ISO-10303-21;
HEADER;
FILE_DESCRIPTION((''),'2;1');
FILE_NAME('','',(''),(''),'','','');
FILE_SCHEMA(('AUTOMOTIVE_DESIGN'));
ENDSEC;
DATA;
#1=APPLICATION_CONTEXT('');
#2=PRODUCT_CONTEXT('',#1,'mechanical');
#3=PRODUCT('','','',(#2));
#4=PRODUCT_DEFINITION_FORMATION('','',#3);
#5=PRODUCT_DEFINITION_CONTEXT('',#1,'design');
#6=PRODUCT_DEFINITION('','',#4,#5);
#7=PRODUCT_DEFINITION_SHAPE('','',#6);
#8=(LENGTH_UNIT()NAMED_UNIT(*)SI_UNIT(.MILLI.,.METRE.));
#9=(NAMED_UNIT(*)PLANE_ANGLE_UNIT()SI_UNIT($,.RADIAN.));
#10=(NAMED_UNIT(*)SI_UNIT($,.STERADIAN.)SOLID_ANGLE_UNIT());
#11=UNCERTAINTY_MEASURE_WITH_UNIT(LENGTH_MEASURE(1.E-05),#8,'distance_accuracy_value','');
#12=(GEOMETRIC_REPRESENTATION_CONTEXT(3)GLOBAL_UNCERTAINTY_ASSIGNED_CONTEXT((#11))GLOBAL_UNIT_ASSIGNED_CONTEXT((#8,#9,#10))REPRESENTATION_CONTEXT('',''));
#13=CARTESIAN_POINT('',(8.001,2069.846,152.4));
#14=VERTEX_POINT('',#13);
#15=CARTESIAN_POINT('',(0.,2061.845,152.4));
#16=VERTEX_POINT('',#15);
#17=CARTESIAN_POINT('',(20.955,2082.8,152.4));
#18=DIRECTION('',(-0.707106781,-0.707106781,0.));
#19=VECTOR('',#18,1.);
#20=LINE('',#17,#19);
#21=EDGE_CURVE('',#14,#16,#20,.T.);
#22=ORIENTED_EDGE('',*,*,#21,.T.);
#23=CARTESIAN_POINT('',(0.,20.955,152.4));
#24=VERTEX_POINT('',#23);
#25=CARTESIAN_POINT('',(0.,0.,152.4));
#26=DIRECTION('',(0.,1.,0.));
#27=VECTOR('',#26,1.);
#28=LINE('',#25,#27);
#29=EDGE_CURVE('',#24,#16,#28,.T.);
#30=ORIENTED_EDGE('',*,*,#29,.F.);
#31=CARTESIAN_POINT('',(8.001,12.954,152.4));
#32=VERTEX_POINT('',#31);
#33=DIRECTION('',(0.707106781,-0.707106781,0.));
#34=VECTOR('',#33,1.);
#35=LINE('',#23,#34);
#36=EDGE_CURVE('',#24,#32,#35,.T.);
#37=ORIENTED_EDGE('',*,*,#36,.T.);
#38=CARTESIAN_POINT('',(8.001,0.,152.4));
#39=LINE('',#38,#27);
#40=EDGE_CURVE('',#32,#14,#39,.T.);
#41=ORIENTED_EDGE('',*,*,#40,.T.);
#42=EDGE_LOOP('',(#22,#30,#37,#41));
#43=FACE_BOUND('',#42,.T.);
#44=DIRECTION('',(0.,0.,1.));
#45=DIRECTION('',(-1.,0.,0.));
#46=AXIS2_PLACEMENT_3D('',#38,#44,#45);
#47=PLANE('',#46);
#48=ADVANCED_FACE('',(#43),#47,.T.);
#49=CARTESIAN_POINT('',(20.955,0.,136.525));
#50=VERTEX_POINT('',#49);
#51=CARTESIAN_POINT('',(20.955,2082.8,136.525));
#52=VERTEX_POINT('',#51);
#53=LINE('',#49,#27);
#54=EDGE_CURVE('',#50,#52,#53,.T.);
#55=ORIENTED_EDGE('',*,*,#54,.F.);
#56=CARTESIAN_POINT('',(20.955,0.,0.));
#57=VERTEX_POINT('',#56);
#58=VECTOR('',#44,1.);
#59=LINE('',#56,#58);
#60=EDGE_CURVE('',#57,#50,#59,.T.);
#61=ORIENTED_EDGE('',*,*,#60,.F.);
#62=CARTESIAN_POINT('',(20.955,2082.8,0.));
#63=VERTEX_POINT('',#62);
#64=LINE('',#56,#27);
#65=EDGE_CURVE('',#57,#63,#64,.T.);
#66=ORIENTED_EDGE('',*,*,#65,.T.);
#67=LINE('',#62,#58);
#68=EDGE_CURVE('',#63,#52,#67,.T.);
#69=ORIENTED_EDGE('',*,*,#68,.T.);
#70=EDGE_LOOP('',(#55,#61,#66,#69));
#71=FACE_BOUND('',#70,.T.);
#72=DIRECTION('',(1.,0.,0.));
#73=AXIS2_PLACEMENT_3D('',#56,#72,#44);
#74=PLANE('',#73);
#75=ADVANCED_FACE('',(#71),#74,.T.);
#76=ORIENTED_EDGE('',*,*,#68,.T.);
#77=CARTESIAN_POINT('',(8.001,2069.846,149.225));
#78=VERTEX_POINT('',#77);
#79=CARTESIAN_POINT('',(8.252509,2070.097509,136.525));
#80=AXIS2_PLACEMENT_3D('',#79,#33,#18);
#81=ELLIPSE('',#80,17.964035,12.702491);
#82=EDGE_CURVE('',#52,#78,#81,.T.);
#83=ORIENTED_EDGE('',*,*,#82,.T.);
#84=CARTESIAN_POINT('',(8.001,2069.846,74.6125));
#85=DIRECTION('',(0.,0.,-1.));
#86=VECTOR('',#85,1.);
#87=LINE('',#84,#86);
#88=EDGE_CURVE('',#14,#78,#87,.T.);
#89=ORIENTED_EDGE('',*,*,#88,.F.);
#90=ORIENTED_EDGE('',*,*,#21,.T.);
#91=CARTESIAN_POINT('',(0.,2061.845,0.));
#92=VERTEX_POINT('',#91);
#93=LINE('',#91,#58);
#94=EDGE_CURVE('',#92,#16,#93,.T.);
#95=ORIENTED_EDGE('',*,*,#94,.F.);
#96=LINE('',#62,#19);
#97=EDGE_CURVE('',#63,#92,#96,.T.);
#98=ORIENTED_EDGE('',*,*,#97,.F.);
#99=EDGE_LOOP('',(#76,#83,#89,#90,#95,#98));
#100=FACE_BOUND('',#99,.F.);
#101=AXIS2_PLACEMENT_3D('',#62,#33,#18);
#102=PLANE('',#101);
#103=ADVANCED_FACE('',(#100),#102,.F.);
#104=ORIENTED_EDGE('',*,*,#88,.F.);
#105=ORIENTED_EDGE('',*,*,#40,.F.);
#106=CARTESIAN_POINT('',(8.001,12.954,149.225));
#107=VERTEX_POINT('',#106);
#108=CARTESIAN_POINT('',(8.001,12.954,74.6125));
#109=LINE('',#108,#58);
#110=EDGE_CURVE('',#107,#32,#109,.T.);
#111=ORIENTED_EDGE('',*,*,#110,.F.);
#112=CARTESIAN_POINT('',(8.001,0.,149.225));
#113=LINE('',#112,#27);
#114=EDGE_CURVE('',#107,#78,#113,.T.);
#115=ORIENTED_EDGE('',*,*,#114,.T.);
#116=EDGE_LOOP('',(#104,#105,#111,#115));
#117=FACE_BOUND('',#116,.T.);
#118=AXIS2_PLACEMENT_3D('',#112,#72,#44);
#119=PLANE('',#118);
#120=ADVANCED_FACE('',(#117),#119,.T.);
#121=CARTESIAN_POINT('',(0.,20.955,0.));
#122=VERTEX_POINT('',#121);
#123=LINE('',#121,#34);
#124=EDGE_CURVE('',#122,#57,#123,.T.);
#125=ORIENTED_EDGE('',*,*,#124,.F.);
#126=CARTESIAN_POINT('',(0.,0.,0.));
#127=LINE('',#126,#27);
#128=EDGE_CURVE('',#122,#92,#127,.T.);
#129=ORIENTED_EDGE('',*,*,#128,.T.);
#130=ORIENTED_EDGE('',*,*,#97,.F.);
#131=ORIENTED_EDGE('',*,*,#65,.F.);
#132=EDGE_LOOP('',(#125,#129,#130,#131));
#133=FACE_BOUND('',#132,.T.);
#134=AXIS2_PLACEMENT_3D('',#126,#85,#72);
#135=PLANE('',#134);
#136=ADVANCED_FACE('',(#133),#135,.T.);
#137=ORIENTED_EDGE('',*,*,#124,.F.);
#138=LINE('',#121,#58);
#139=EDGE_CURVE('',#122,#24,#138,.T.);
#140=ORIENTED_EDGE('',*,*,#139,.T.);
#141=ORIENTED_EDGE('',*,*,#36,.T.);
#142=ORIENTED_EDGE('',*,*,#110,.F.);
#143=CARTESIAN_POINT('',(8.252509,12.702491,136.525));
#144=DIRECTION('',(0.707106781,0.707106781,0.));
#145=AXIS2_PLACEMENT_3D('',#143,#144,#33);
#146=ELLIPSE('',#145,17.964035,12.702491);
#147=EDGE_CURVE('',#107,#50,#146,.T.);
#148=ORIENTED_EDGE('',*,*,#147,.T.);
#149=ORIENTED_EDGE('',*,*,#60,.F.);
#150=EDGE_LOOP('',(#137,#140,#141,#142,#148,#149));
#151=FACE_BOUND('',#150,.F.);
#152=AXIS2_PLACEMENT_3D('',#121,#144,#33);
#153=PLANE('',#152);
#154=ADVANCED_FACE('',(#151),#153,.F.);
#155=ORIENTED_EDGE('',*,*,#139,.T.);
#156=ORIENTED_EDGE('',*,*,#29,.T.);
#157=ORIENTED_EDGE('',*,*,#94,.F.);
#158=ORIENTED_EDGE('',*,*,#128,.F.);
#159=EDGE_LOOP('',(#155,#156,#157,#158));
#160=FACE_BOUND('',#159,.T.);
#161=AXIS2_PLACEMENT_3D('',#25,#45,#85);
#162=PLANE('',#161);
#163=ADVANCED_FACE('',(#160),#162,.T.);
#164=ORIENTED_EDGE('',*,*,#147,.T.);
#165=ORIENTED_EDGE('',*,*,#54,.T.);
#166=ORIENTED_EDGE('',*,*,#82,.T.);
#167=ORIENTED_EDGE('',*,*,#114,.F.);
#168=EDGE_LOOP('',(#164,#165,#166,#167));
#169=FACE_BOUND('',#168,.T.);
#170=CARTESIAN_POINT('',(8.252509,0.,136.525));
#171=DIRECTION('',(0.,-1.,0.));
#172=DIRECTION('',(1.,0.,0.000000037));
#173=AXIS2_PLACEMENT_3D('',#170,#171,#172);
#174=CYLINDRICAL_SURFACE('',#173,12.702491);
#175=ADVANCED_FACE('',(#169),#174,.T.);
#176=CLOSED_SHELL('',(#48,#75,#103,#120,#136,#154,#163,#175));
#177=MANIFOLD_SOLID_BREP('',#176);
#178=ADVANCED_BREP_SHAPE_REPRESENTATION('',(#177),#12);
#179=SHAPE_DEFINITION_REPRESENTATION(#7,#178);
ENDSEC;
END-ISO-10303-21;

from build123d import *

# Parameters (mm, degrees)
F1_DEPTH = 2082.8
F3_DEPTH = 152.4
F5_DEPTH = 152.4


with BuildPart() as f1:
    # F0 (on Front) → F1 (new body)
    with BuildSketch(Plane.XZ):
        with BuildLine():
            Line((0, 152.4), (0, 0))
            Line((0, 0), (20.955, 0))
            Line((20.955, 0), (20.955, 136.525))
            ThreePointArc((20.955, 136.525), (17.14516, 145.595503), (8.001, 149.225))
            Line((8.001, 149.225), (8.001, 152.4))
            Line((8.001, 152.4), (0, 152.4))
        make_face()
    extrude(amount=-F1_DEPTH)

    # F2 (on face) → F3 (cut)
    with BuildSketch(Plane(origin=(0, 0, 0), x_dir=(1, 0, 0), z_dir=(0, 0, -1))):
        Polygon((0, -20.955), (20.955, 0), (0, 0), align=None)
    extrude(amount=-F3_DEPTH, mode=Mode.SUBTRACT)

    # F4 (on face) → F5 (cut)
    with BuildSketch(Plane(origin=(0, 0, 0), x_dir=(1, 0, 0), z_dir=(0, 0, -1))):
        Polygon((0, -2082.8), (20.955, -2082.8), (0, -2061.845), align=None)
    extrude(amount=-F5_DEPTH, mode=Mode.SUBTRACT)


solid = f1.part
